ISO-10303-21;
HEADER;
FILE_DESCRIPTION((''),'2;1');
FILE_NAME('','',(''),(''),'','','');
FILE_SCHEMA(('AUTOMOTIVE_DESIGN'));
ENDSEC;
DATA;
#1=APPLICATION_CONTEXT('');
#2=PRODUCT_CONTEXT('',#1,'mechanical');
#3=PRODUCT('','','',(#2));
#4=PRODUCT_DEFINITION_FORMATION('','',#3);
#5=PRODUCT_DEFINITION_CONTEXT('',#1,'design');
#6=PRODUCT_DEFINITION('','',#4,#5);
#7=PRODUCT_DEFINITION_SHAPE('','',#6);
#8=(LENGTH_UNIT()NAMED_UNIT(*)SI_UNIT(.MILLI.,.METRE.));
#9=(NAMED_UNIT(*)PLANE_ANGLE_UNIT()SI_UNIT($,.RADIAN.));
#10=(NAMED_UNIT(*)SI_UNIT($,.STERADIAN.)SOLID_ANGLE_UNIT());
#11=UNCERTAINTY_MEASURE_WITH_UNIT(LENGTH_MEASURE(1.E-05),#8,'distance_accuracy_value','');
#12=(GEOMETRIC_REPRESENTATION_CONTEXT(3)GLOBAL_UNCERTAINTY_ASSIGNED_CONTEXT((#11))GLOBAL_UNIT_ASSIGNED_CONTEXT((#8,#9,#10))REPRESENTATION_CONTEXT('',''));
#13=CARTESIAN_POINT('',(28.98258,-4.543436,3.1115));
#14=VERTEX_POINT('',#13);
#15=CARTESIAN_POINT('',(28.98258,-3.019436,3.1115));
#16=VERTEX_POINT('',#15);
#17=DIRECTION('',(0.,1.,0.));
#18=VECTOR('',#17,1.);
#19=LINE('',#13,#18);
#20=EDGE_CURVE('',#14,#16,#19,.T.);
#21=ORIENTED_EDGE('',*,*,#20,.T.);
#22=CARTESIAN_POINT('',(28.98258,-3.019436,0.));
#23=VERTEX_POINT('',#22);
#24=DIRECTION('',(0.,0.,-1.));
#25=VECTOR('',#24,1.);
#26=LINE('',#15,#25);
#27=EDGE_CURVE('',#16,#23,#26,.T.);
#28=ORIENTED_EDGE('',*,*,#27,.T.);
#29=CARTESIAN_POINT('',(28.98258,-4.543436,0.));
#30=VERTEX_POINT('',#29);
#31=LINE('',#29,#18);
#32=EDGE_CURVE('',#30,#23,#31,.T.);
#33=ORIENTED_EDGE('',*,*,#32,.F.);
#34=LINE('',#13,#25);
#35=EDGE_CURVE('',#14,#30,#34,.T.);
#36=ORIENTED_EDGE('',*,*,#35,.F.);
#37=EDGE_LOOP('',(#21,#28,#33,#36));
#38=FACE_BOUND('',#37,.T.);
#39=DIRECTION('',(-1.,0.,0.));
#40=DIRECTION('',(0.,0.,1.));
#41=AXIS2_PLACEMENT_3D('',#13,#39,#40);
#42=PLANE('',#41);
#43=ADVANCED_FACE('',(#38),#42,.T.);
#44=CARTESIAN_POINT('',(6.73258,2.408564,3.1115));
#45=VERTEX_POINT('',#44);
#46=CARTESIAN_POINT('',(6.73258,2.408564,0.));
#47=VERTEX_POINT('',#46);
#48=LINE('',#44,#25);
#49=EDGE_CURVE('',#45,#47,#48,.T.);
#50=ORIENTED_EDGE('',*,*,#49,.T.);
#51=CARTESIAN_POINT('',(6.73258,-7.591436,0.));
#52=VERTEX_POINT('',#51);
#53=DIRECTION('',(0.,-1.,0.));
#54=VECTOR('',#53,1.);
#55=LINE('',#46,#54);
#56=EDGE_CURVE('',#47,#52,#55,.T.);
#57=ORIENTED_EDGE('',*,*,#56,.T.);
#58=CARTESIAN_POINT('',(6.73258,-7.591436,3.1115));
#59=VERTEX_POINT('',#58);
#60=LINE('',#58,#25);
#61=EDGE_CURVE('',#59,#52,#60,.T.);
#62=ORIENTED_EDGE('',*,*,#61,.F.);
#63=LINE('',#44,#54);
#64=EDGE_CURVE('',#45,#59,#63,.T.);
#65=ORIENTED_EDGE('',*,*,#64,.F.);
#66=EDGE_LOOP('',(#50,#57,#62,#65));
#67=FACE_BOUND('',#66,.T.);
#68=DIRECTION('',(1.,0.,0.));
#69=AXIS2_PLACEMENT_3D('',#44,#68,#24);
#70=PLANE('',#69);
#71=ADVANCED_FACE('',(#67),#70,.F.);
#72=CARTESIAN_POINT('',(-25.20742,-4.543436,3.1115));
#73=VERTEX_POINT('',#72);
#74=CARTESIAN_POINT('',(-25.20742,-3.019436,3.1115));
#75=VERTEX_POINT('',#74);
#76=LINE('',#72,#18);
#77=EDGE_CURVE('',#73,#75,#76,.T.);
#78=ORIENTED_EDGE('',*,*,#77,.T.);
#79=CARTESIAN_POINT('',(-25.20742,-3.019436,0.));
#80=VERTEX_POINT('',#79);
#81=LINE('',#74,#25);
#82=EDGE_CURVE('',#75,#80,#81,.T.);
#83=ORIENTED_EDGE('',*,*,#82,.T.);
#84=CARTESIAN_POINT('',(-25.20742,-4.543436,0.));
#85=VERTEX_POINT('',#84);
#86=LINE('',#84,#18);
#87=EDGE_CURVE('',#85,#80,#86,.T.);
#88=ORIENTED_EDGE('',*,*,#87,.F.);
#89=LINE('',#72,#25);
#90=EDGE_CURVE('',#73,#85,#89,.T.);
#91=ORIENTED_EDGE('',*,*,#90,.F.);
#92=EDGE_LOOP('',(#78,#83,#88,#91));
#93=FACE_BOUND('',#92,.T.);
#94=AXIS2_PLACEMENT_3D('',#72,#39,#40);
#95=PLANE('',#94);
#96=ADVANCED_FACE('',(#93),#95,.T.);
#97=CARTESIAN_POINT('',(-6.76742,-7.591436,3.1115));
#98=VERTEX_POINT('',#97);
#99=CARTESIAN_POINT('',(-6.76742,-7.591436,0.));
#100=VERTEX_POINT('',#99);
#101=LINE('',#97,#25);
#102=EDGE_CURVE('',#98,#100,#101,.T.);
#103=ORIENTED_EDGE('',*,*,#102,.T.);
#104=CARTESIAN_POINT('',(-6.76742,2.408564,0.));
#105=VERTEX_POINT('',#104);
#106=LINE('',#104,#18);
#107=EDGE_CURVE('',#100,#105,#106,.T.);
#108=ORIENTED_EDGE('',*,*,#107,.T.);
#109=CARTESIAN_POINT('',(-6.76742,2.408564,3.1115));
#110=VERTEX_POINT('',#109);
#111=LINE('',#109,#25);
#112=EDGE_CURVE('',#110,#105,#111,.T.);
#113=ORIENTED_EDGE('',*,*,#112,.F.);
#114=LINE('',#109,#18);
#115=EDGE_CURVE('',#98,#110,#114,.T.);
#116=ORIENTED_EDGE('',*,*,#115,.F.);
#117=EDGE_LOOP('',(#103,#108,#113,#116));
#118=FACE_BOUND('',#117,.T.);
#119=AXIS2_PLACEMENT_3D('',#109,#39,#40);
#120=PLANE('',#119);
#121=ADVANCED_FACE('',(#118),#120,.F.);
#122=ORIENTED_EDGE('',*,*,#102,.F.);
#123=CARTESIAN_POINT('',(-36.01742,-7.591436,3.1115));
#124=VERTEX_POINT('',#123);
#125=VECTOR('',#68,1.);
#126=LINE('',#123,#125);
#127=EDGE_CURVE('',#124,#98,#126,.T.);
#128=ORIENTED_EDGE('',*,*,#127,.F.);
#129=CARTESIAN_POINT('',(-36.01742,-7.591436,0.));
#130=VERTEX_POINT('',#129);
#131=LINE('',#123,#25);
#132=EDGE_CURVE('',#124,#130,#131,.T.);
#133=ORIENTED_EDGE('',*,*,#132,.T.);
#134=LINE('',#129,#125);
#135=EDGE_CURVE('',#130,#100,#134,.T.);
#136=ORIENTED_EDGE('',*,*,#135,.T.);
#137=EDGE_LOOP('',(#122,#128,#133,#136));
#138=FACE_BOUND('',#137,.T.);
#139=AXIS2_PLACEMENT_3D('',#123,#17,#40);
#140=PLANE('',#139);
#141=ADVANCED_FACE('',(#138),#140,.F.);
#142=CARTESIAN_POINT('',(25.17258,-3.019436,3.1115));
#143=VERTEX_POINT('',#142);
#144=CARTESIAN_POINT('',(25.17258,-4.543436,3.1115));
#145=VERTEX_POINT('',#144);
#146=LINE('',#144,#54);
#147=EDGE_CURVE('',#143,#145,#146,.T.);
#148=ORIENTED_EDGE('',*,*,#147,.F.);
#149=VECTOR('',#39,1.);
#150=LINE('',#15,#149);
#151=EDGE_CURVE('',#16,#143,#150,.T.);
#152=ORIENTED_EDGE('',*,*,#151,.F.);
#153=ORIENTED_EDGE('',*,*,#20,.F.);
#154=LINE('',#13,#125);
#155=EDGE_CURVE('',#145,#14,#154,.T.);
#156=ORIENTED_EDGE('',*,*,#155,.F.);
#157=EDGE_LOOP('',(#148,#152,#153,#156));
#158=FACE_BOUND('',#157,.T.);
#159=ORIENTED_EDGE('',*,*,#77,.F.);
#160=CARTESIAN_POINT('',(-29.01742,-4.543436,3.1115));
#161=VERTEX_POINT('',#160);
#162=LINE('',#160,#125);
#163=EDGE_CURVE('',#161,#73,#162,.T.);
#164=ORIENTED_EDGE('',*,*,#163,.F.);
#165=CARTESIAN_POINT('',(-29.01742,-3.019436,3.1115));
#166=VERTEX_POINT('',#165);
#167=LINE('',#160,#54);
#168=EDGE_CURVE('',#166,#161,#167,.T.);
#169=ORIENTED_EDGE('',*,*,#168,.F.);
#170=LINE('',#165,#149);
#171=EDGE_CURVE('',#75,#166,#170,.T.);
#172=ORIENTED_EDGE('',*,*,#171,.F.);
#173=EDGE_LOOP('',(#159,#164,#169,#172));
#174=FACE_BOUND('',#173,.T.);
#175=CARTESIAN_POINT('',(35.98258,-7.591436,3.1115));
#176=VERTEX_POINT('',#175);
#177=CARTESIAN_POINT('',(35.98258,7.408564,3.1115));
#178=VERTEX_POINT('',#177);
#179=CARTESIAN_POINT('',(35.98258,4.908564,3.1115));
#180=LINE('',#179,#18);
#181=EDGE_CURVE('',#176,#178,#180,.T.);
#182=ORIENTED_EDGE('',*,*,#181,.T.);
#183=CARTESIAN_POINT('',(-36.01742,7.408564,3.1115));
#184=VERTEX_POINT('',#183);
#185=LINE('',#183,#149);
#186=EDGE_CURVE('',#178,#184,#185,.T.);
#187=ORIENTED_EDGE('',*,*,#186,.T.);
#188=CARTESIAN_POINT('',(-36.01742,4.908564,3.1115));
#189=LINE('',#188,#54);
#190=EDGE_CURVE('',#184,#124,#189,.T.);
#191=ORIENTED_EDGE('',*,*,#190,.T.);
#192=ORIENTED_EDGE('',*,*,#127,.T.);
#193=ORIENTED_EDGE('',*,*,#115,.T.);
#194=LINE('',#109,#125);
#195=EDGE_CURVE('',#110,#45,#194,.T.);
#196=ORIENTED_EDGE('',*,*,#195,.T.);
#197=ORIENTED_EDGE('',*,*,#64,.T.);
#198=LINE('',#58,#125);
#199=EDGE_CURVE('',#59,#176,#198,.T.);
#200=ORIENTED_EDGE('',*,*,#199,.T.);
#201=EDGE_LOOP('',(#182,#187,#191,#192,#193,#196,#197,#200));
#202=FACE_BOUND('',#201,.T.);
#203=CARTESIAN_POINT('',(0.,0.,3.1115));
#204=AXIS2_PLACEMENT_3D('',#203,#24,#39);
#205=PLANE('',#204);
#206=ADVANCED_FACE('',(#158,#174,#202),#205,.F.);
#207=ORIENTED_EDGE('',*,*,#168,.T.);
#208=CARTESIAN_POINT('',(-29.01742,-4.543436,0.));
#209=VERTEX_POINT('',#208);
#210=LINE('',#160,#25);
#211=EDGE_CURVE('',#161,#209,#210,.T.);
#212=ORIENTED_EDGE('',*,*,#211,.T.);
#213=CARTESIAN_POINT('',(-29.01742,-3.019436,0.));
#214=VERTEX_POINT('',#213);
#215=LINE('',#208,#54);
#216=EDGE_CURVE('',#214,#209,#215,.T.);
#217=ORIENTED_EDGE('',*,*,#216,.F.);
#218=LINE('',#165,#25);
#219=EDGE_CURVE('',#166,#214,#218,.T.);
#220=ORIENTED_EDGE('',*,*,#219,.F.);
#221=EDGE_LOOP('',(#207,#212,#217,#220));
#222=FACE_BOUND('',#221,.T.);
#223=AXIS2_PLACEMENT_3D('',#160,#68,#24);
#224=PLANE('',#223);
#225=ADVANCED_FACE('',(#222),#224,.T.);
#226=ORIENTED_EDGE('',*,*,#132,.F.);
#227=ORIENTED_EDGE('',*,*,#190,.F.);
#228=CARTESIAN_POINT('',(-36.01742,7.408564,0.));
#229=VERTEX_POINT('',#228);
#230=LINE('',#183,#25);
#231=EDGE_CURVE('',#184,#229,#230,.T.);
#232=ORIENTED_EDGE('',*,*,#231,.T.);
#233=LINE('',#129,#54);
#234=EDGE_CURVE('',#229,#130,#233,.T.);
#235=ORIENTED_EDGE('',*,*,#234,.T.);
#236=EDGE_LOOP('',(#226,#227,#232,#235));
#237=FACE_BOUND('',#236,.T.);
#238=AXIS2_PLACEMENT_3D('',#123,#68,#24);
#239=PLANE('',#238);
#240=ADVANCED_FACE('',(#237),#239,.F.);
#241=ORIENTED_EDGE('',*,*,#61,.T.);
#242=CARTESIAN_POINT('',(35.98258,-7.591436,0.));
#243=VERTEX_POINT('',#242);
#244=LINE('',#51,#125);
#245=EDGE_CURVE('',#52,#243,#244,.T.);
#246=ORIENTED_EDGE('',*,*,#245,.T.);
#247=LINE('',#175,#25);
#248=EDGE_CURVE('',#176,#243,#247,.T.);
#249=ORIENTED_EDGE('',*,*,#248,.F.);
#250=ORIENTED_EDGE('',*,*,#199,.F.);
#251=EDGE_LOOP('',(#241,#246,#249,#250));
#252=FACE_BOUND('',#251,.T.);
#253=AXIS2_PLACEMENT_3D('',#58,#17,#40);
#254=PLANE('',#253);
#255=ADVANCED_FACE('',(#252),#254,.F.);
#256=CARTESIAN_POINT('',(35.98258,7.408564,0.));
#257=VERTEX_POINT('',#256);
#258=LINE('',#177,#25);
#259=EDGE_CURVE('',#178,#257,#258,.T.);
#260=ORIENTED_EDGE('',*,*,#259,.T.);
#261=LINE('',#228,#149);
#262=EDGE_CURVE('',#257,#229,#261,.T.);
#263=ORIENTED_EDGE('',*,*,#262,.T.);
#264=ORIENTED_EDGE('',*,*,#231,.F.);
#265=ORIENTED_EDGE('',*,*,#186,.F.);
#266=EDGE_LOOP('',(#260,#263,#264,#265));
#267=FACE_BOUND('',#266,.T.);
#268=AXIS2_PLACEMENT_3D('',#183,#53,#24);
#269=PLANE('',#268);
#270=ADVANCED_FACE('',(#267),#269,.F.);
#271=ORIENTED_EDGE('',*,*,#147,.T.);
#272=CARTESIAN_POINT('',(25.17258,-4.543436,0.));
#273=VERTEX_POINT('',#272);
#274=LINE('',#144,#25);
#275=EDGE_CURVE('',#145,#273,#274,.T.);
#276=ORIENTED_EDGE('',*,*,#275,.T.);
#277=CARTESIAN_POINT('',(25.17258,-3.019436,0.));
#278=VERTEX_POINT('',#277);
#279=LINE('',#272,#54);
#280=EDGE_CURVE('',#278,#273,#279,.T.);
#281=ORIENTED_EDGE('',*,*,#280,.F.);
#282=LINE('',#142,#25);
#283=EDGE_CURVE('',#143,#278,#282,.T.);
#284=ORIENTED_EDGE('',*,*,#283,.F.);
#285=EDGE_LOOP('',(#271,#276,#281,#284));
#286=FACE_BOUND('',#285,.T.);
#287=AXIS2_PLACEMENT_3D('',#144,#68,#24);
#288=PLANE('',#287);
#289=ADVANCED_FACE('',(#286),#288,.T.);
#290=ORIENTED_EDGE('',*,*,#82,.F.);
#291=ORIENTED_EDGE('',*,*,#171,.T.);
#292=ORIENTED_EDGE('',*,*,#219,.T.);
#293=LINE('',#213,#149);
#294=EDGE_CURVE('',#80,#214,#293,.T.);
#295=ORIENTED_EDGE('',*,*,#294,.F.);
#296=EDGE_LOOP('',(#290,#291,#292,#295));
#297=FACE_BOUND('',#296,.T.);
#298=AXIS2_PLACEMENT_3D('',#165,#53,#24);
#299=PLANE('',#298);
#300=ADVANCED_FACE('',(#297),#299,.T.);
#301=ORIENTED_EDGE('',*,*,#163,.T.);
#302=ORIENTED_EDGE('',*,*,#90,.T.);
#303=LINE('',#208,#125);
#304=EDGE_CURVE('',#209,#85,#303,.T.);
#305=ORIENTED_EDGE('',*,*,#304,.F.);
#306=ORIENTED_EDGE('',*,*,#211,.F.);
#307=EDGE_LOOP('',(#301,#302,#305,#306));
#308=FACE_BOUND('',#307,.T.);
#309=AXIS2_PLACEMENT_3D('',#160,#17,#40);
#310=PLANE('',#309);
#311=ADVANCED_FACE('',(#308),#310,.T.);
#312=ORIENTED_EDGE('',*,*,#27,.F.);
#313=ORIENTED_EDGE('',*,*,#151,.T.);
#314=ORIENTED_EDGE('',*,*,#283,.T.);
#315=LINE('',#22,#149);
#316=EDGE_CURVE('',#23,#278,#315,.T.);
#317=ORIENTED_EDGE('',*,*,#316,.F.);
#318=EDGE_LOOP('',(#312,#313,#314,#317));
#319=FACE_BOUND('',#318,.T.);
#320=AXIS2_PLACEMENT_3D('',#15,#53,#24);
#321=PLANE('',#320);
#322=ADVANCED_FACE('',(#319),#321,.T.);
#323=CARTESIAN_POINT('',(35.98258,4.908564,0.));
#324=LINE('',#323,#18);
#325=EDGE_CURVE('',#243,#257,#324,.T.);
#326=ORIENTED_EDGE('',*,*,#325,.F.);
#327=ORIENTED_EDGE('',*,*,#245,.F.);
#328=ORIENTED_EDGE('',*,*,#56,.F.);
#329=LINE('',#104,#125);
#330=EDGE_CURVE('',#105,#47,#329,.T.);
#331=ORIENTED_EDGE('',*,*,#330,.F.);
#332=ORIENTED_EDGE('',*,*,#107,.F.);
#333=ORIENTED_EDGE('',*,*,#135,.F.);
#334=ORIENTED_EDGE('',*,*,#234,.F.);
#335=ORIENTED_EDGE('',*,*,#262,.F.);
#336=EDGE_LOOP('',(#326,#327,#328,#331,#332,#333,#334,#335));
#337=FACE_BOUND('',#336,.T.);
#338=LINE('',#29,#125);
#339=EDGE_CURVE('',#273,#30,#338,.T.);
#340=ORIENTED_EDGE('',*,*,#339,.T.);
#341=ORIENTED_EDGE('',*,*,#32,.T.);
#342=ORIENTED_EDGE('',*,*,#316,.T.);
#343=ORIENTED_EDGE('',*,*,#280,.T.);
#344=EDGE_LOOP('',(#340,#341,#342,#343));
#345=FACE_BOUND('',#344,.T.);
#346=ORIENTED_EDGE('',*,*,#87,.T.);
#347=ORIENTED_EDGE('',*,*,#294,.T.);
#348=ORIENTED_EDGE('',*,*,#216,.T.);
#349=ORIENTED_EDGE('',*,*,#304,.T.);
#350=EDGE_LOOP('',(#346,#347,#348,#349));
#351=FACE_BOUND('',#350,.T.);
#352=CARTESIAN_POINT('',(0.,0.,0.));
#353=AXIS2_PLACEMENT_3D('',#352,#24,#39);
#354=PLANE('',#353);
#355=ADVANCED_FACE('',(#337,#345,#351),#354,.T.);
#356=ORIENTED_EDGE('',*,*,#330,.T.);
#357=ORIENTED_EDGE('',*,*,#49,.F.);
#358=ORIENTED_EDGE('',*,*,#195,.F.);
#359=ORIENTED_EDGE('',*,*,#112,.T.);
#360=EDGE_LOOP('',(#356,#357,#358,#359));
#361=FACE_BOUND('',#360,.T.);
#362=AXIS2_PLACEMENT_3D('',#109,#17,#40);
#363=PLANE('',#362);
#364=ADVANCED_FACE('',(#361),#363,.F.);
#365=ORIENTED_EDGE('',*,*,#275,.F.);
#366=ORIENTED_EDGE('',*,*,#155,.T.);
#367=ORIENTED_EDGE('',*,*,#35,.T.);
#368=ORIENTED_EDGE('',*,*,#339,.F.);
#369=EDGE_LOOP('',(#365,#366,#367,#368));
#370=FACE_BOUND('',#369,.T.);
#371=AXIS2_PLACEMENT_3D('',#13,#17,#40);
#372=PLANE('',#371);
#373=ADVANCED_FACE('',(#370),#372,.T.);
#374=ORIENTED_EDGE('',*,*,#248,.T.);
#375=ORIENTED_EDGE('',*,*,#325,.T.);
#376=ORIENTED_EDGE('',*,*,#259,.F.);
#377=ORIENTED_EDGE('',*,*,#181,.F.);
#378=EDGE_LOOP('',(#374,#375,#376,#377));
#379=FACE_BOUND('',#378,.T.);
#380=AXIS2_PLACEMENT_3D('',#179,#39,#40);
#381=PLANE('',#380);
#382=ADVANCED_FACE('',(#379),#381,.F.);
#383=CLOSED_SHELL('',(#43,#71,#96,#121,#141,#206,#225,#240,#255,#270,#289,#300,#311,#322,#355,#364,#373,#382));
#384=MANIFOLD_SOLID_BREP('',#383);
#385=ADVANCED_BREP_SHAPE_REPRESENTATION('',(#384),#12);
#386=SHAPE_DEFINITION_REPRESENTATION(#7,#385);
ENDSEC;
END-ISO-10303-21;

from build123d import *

# Parameters (mm, degrees)
SKETCH1_W           = 3.81
SKETCH1_H           = 1.524
BOSS_EXTRUDE1_DEPTH = 3.1115


with BuildPart() as part:
    # Sketch1 → Boss-Extrude1 (new body)
    with BuildSketch(Plane.XY):
        Polygon((-36.017419718, -7.591435707), (-6.767419718, -7.591435707), (-6.767419718, 2.408564293), (6.732580282, 2.408564293), (6.732580282, -7.591435707), (35.982580282, -7.591435707), (35.982580282, -5.091435707), (35.982580282, 4.908564293), (35.982580282, 7.408564293), (-36.017419718, 7.408564293), (-36.017419718, 4.908564293), (-36.017419718, -5.091435707), align=None)
        with Locations((27.077580282, -3.781435707)):
            Rectangle(SKETCH1_W, SKETCH1_H, mode=Mode.SUBTRACT)
        with Locations((-27.112419718, -3.781435707)):
            Rectangle(SKETCH1_W, SKETCH1_H, mode=Mode.SUBTRACT)
    extrude(amount=BOSS_EXTRUDE1_DEPTH)


solid = part.part
